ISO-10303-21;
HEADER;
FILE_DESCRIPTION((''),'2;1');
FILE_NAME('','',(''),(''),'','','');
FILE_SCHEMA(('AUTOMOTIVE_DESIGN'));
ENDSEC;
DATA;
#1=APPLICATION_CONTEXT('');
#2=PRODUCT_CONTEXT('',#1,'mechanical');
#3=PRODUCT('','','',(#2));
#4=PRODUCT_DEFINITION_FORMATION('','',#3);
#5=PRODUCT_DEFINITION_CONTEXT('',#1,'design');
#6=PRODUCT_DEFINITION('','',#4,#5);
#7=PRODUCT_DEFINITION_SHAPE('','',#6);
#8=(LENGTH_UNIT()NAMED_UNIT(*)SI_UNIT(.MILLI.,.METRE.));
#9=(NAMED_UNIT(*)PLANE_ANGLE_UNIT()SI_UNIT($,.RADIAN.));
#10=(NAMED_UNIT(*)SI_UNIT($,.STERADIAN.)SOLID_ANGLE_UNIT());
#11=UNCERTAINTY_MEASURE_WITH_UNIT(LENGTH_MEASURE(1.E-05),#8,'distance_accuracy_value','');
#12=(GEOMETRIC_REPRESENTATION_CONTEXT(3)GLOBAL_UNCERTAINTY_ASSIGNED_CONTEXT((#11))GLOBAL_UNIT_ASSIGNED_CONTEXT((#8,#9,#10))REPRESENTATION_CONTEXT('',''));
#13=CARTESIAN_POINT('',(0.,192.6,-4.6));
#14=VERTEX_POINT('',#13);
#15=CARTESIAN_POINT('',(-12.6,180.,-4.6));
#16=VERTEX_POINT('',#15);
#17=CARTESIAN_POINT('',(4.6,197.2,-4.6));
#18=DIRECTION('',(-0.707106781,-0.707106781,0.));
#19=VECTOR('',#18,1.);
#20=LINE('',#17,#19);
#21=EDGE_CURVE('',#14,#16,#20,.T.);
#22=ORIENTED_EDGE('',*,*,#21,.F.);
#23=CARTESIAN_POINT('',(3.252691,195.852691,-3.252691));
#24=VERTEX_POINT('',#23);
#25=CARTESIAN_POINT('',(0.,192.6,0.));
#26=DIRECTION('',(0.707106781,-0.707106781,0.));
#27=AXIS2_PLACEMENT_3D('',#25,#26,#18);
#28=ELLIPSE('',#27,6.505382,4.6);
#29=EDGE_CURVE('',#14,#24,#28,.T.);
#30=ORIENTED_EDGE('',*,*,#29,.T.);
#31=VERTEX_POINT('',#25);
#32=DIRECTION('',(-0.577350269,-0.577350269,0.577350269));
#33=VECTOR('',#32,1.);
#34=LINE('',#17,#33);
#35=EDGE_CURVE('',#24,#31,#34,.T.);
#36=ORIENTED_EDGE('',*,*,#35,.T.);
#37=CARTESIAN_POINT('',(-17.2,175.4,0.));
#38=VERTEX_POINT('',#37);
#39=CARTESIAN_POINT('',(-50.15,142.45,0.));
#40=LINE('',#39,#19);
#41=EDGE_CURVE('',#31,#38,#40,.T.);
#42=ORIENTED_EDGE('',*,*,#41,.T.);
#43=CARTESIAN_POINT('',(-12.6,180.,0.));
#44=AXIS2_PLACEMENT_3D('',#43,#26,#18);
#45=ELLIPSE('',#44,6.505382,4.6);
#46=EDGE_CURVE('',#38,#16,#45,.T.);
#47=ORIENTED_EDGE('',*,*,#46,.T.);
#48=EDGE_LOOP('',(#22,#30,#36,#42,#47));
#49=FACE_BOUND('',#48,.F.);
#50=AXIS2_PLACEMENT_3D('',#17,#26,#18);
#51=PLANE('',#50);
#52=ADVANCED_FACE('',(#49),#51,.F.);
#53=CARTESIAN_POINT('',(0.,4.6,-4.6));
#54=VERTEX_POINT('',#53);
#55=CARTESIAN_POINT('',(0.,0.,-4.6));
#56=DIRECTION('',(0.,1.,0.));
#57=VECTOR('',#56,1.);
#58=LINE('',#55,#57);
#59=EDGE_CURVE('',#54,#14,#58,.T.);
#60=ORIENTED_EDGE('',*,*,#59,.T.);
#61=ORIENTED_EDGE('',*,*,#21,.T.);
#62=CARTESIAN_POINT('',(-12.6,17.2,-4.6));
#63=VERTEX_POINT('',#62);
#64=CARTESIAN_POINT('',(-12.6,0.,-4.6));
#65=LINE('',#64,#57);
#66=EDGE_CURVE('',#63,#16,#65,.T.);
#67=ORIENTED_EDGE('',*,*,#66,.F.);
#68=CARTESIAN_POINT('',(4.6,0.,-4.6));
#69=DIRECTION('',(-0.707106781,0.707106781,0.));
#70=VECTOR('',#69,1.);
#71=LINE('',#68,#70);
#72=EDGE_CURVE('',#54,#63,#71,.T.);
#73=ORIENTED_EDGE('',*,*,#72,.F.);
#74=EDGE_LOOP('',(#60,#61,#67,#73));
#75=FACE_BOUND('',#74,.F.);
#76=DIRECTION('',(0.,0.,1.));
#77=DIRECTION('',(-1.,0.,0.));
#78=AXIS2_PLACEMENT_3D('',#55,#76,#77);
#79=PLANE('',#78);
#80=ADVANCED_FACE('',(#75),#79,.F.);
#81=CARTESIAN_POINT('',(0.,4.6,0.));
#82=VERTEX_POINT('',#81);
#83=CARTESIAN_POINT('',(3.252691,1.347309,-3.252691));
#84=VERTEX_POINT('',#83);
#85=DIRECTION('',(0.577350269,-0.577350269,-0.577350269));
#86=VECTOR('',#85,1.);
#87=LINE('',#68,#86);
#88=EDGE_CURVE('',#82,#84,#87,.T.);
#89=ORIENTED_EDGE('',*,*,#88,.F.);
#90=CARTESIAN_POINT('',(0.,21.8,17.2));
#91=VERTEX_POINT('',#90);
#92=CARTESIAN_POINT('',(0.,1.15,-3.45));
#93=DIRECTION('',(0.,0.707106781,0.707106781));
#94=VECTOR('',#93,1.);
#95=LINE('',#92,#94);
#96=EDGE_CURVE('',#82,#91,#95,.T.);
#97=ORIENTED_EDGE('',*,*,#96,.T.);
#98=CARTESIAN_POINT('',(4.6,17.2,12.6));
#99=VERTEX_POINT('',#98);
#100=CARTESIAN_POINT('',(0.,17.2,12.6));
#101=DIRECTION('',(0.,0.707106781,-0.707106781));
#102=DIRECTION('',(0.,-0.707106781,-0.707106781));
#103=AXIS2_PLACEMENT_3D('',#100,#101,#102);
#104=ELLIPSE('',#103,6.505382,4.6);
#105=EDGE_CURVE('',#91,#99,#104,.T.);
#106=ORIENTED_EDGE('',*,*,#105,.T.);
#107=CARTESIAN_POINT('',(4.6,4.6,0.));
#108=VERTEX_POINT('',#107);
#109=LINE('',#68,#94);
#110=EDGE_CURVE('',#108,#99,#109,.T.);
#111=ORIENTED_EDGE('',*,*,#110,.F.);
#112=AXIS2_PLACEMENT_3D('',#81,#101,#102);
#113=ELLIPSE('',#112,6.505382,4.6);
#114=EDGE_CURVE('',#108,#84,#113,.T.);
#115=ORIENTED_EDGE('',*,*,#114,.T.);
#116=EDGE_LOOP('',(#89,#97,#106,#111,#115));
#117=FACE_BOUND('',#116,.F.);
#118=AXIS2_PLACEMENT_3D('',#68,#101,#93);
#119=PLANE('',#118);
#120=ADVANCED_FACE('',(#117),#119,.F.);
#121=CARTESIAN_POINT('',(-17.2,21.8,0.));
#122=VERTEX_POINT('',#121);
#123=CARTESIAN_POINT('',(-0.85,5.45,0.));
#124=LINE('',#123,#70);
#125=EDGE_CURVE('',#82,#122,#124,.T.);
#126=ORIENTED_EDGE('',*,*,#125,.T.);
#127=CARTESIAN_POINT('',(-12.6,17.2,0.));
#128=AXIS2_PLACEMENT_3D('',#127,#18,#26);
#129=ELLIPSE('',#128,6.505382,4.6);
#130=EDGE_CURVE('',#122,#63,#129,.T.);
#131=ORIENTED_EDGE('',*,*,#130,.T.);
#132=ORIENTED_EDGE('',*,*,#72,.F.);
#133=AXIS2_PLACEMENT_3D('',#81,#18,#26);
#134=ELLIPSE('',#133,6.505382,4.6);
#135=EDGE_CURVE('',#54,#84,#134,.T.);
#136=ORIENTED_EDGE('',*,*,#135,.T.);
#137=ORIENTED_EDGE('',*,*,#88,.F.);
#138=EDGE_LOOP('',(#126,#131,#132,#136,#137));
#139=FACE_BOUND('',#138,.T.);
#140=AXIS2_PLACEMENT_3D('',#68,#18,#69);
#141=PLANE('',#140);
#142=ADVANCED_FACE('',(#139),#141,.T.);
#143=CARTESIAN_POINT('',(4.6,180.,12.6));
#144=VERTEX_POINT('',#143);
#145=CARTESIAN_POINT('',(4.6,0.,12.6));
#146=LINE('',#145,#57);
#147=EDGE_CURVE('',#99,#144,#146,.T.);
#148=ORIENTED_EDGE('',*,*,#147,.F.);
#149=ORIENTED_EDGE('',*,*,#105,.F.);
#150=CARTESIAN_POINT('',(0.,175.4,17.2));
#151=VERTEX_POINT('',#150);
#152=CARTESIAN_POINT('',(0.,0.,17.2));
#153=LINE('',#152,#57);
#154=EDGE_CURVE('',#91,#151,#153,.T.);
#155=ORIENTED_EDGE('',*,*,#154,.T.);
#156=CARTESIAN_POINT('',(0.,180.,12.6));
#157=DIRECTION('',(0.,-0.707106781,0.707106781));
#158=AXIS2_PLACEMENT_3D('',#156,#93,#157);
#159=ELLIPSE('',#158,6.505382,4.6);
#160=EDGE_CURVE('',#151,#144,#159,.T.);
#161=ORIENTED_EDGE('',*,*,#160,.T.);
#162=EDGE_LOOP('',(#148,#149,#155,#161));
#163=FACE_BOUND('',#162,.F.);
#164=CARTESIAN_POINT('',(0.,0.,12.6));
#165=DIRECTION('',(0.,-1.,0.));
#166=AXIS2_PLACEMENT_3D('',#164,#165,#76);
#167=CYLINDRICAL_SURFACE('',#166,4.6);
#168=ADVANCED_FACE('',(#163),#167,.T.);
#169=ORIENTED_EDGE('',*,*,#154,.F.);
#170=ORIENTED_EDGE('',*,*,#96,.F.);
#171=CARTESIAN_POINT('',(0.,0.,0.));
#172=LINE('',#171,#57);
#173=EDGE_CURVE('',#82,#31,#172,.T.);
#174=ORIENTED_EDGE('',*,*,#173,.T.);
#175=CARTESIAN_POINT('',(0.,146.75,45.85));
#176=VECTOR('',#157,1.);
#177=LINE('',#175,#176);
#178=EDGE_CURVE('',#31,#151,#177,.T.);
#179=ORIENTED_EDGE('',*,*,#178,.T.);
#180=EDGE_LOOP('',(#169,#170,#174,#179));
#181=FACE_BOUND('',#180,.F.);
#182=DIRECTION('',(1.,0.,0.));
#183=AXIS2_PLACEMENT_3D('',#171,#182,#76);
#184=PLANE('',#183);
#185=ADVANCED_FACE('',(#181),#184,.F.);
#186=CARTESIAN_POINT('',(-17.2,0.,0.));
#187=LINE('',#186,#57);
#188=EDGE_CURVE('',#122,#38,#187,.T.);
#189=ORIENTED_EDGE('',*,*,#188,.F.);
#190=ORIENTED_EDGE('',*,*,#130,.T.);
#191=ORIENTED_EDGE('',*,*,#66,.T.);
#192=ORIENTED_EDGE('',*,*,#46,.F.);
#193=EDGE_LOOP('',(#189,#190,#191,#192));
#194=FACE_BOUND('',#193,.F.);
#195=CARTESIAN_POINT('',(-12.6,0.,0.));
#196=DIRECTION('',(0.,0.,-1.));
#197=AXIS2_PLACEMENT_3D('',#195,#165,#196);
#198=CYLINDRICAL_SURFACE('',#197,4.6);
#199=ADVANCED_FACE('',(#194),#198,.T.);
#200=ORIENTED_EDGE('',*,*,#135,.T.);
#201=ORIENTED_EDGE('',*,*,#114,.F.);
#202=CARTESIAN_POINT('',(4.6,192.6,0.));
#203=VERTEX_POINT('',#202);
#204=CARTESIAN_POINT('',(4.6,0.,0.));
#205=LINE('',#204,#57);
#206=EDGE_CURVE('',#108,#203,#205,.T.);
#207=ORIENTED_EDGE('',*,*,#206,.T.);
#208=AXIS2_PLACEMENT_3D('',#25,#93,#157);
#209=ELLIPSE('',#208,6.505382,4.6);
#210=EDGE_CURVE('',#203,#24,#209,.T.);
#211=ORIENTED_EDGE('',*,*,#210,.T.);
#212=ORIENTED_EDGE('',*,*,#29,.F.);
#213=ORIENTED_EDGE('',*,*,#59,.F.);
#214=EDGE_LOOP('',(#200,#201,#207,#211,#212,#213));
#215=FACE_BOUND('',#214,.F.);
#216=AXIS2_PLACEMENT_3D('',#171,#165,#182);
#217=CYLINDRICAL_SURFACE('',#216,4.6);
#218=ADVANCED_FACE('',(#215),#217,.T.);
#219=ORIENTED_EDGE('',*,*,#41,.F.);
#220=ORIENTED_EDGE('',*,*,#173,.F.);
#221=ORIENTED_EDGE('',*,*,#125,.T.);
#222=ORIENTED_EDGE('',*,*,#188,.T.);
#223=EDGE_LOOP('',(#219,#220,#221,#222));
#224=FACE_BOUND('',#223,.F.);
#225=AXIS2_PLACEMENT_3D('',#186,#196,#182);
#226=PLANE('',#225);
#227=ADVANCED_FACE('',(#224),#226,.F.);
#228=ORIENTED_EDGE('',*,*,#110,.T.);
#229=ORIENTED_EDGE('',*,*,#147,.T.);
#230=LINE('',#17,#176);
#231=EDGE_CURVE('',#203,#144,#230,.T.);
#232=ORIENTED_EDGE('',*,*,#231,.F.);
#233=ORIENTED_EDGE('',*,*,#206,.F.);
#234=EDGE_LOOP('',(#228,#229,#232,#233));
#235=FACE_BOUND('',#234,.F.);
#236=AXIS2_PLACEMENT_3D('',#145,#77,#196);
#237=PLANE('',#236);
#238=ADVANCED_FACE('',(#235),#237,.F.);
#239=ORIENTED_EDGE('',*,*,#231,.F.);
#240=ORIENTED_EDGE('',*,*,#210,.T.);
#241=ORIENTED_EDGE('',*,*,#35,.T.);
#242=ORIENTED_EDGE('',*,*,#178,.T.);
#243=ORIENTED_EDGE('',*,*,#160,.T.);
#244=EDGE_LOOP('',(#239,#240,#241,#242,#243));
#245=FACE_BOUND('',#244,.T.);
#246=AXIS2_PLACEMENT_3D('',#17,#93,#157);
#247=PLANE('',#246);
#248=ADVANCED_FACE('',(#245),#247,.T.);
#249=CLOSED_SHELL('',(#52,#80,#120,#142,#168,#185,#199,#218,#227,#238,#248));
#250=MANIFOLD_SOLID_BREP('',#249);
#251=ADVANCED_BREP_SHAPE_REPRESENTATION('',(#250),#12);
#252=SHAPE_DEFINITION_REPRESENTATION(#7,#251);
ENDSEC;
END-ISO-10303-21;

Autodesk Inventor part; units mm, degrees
ref_plane "YZ Plane" through (0, 0, 0) normal (1, 0, 0) x (0, 1, 0)
ref_plane "XZ Plane" through (0, 0, 0) normal (0, 1, 0) x (-1, 0, 0)
ref_plane "XY Plane" through (0, 0, 0) normal (0, 0, 1) x (1, 0, 0)
sketch "Skizze1" plane through (0, 0, 0) normal (0, 1, 0) x (-1, 0, 0)
  line L0 (-4.6, 12.6) -> (-4.6, 0)
  arc A0 (-4.6, 0) -> (0, -4.6) centre (0, 0) ccw
  line L1 (0, -4.6) -> (12.6, -4.6)
  arc A1 (12.6, -4.6) -> (17.2, 0) centre (12.6, 0) ccw
  line L2 (17.2, 0) -> (0, 0)
  line L3 (0, 0) -> (0, 17.2)
  arc A2 (0, 17.2) -> (-4.6, 12.6) centre (0, 12.6) ccw
  point P0 (0, 0)
  dimension "d0" = 4.6
  dimension "d1" = 21.8
extrude "Extrusion1" add sketch "Skizze1" along normal blind 197.2
sketch "Skizze2" plane through (0, 0, -4.6) normal (0, 0, -1) x (-1, 0, 0)
  line L0 (-4.6, 0) -> (17.2, 21.8)
  line L1 (17.2, 0) -> (17.2, 197.2) projected
  line L2 (17.2, 0) -> (12.6, 0) projected
  line L3 (17.2, 21.8) -> (17.2, 0)
  line L4 (17.2, 0) -> (-4.6, 0)
  line L5 (17.2, 197.2) -> (-4.6, 197.2)
  line L6 (-4.6, 197.2) -> (17.2, 175.4)
  line L7 (17.2, 197.2) -> (17.2, 175.4)
  point P0 (0, 0)
  dimension "d4" = 45
  dimension "d7" = 45
extrude "Extrusion2" cut sketch "Skizze2" against normal through all
sketch "Skizze3" plane through (4.6, 0, 0) normal (1, 0, 0) x (0, 0, -1)
  line L0 (4.6, 0) -> (-17.2, 21.8)
  line L1 (-17.2, 4.6) -> (-17.2, 192.6) projected
  line L2 (-17.2, 21.8) -> (-17.2, 0)
  line L3 (-17.2, 0) -> (4.6, 0)
  line L4 (-17.2, 175.4) -> (-17.2, 197.2)
  line L5 (-17.2, 197.2) -> (4.6, 197.2)
  line L6 (4.6, 197.2) -> (-17.2, 175.4)
  point P0 (0, 0)
  point P1 (4.6, 4.6)
  point P2 (-12.6, 197.2)
  dimension "d8" = 45
  dimension "d9" = 45
extrude "Extrusion3" cut sketch "Skizze3" against normal through all
properties part number "winkelTop" material "Kiefer"
